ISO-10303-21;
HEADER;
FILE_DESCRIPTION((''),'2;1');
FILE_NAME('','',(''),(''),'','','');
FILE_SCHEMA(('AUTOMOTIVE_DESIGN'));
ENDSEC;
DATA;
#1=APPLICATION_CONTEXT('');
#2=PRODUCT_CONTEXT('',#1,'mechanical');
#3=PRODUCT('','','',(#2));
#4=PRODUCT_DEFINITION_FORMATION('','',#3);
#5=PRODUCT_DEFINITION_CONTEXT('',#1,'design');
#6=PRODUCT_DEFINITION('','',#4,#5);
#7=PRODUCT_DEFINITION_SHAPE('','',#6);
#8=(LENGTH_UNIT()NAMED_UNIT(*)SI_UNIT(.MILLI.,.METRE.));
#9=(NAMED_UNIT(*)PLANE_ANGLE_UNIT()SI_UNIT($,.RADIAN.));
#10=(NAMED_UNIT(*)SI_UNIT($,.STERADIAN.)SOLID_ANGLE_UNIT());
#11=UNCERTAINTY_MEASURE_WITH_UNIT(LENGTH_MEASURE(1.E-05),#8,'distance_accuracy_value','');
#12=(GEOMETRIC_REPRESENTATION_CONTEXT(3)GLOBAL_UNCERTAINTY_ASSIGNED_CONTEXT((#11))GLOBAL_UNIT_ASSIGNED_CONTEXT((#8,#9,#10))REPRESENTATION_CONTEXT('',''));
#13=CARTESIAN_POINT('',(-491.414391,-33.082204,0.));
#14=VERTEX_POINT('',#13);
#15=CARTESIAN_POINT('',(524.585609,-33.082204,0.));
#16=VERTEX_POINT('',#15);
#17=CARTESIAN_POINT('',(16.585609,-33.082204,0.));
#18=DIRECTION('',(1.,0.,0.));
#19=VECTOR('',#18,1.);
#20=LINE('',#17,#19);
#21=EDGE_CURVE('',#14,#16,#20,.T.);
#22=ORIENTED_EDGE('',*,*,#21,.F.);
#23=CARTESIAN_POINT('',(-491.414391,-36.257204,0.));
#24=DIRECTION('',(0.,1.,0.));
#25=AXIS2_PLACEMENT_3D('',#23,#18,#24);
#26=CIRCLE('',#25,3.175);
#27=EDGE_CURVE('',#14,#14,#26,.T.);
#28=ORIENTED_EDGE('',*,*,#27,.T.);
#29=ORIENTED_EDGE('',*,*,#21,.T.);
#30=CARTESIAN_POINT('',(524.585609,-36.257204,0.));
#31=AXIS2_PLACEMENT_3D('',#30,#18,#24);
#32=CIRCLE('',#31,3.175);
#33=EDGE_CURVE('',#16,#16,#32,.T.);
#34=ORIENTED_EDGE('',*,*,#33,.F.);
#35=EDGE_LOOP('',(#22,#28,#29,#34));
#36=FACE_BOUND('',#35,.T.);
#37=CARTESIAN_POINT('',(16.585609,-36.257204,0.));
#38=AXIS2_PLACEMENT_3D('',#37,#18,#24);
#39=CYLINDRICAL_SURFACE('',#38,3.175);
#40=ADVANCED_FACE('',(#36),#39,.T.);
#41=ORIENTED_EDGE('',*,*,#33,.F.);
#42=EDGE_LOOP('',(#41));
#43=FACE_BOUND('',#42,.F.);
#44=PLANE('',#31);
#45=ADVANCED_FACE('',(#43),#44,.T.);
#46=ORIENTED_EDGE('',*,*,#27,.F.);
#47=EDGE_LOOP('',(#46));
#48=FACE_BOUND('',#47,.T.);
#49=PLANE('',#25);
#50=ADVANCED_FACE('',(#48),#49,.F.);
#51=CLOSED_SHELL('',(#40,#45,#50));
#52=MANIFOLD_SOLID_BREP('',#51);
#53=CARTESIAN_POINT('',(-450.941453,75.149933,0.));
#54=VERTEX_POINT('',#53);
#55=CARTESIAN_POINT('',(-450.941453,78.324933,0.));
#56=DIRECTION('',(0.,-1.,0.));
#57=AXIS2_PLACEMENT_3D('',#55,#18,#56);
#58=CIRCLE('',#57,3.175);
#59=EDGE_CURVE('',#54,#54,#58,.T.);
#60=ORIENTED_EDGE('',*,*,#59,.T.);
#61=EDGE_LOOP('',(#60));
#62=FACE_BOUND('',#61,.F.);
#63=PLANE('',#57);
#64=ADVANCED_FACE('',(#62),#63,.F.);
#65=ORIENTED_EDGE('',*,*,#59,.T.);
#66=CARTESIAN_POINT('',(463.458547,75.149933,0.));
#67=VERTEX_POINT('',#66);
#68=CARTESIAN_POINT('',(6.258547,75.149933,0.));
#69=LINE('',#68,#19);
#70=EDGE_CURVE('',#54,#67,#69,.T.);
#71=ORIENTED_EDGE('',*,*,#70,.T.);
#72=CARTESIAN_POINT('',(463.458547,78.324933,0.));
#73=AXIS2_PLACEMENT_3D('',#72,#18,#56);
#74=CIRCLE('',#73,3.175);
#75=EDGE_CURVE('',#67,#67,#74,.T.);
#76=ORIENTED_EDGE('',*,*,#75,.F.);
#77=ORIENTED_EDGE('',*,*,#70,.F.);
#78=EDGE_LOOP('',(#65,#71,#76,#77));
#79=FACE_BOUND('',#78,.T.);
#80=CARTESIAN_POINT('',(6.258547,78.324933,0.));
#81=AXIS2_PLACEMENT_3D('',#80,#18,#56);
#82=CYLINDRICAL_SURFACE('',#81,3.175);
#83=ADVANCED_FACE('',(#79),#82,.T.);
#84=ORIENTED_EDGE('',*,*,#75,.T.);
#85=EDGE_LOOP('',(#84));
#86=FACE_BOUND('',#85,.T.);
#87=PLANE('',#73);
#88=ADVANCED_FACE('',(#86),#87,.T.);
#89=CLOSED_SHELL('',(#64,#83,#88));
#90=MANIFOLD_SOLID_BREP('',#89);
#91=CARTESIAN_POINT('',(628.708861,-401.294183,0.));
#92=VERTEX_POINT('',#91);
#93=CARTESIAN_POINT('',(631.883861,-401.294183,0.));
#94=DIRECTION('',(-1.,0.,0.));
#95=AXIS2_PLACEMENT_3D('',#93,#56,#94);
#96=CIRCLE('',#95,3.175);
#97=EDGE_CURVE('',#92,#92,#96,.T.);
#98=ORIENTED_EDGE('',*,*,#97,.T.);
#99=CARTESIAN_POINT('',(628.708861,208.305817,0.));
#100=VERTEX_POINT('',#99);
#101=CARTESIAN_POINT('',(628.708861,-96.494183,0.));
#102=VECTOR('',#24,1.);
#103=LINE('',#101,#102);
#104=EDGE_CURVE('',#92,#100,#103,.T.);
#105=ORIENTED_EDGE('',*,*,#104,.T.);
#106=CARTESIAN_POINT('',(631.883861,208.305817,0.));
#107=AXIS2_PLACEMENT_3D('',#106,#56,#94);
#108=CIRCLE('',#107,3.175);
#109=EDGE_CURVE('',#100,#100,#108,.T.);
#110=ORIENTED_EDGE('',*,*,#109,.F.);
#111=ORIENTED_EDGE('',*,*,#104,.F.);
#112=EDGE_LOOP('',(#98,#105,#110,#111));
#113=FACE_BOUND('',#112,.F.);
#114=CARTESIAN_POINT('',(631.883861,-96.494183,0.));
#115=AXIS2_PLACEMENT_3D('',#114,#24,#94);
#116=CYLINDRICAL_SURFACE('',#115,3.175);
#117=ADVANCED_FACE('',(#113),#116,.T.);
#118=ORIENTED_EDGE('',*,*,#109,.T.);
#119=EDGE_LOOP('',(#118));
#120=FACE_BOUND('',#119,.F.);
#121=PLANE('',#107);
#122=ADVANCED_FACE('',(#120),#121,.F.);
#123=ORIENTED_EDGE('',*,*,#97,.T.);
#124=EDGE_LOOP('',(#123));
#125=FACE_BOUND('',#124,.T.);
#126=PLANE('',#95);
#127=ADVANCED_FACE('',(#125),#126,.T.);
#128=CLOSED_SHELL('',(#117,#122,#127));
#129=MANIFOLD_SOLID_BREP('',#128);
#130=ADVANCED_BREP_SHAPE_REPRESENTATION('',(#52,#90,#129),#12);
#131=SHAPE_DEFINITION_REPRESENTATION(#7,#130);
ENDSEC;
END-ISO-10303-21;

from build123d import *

# Parameters (mm, degrees)
F0_W = 1016
F0_H = 3.175
F2_W = 914.4
F2_H = 3.175
F3_W = 812.8
F3_H = 3.175
F4_W = 762
F4_H = 3.175
F8_W = 3.175
F8_H = 609.6
F9_W = 3.175
F9_H = 914.4


with BuildPart() as f1:
    # F0 (on Top) → F1 (revolve)
    with BuildSketch(Plane.XY):
        with Locations((16.585609, -34.669704)):
            Rectangle(F0_W, F0_H)
    revolve(axis=Axis((16.585609, -36.257204, 0), (1, 0, 0)))


with BuildPart() as f5:
    # F2 (on Top) → F5 (revolve)
    with BuildSketch(Plane.XY):
        with Locations((6.258547, 76.737433)):
            Rectangle(F2_W, F2_H)
    revolve(axis=Axis((6.258547, 78.324933, 0), (1, 0, 0)))


with BuildPart() as f6:
    # F3 (on Top) → F6 (revolve)
    with BuildSketch(Plane.XY):
        with Locations((99.952236, 135.788546)):
            Rectangle(F3_W, F3_H)
    revolve(axis=Axis((99.952236, 137.376046, 0), (1, 0, 0)))


with BuildPart() as f7:
    # F4 (on Top) → F7 (revolve)
    with BuildSketch(Plane.XY):
        with Locations((124.057755, 176.901974)):
            Rectangle(F4_W, F4_H)
    revolve(axis=Axis((124.057755, 178.489474, 0), (1, 0, 0)))


with BuildPart() as f10:
    # F8 (on Top) → F10 (revolve)
    with BuildSketch(Plane.XY):
        with Locations((630.296361, -96.494183)):
            Rectangle(F8_W, F8_H)
    revolve(axis=Axis((631.883861, -96.494183, 0), (0, -1, 0)))


with BuildPart() as f11:
    # F9 (on Top) → F11 (revolve)
    with BuildSketch(Plane.XY):
        with Locations((711.808065, -68.618268)):
            Rectangle(F9_W, F9_H)
    revolve(axis=Axis((713.395565, -68.618268, 0), (0, -1, 0)))


solid = Compound([f1.part, f5.part, f10.part])
